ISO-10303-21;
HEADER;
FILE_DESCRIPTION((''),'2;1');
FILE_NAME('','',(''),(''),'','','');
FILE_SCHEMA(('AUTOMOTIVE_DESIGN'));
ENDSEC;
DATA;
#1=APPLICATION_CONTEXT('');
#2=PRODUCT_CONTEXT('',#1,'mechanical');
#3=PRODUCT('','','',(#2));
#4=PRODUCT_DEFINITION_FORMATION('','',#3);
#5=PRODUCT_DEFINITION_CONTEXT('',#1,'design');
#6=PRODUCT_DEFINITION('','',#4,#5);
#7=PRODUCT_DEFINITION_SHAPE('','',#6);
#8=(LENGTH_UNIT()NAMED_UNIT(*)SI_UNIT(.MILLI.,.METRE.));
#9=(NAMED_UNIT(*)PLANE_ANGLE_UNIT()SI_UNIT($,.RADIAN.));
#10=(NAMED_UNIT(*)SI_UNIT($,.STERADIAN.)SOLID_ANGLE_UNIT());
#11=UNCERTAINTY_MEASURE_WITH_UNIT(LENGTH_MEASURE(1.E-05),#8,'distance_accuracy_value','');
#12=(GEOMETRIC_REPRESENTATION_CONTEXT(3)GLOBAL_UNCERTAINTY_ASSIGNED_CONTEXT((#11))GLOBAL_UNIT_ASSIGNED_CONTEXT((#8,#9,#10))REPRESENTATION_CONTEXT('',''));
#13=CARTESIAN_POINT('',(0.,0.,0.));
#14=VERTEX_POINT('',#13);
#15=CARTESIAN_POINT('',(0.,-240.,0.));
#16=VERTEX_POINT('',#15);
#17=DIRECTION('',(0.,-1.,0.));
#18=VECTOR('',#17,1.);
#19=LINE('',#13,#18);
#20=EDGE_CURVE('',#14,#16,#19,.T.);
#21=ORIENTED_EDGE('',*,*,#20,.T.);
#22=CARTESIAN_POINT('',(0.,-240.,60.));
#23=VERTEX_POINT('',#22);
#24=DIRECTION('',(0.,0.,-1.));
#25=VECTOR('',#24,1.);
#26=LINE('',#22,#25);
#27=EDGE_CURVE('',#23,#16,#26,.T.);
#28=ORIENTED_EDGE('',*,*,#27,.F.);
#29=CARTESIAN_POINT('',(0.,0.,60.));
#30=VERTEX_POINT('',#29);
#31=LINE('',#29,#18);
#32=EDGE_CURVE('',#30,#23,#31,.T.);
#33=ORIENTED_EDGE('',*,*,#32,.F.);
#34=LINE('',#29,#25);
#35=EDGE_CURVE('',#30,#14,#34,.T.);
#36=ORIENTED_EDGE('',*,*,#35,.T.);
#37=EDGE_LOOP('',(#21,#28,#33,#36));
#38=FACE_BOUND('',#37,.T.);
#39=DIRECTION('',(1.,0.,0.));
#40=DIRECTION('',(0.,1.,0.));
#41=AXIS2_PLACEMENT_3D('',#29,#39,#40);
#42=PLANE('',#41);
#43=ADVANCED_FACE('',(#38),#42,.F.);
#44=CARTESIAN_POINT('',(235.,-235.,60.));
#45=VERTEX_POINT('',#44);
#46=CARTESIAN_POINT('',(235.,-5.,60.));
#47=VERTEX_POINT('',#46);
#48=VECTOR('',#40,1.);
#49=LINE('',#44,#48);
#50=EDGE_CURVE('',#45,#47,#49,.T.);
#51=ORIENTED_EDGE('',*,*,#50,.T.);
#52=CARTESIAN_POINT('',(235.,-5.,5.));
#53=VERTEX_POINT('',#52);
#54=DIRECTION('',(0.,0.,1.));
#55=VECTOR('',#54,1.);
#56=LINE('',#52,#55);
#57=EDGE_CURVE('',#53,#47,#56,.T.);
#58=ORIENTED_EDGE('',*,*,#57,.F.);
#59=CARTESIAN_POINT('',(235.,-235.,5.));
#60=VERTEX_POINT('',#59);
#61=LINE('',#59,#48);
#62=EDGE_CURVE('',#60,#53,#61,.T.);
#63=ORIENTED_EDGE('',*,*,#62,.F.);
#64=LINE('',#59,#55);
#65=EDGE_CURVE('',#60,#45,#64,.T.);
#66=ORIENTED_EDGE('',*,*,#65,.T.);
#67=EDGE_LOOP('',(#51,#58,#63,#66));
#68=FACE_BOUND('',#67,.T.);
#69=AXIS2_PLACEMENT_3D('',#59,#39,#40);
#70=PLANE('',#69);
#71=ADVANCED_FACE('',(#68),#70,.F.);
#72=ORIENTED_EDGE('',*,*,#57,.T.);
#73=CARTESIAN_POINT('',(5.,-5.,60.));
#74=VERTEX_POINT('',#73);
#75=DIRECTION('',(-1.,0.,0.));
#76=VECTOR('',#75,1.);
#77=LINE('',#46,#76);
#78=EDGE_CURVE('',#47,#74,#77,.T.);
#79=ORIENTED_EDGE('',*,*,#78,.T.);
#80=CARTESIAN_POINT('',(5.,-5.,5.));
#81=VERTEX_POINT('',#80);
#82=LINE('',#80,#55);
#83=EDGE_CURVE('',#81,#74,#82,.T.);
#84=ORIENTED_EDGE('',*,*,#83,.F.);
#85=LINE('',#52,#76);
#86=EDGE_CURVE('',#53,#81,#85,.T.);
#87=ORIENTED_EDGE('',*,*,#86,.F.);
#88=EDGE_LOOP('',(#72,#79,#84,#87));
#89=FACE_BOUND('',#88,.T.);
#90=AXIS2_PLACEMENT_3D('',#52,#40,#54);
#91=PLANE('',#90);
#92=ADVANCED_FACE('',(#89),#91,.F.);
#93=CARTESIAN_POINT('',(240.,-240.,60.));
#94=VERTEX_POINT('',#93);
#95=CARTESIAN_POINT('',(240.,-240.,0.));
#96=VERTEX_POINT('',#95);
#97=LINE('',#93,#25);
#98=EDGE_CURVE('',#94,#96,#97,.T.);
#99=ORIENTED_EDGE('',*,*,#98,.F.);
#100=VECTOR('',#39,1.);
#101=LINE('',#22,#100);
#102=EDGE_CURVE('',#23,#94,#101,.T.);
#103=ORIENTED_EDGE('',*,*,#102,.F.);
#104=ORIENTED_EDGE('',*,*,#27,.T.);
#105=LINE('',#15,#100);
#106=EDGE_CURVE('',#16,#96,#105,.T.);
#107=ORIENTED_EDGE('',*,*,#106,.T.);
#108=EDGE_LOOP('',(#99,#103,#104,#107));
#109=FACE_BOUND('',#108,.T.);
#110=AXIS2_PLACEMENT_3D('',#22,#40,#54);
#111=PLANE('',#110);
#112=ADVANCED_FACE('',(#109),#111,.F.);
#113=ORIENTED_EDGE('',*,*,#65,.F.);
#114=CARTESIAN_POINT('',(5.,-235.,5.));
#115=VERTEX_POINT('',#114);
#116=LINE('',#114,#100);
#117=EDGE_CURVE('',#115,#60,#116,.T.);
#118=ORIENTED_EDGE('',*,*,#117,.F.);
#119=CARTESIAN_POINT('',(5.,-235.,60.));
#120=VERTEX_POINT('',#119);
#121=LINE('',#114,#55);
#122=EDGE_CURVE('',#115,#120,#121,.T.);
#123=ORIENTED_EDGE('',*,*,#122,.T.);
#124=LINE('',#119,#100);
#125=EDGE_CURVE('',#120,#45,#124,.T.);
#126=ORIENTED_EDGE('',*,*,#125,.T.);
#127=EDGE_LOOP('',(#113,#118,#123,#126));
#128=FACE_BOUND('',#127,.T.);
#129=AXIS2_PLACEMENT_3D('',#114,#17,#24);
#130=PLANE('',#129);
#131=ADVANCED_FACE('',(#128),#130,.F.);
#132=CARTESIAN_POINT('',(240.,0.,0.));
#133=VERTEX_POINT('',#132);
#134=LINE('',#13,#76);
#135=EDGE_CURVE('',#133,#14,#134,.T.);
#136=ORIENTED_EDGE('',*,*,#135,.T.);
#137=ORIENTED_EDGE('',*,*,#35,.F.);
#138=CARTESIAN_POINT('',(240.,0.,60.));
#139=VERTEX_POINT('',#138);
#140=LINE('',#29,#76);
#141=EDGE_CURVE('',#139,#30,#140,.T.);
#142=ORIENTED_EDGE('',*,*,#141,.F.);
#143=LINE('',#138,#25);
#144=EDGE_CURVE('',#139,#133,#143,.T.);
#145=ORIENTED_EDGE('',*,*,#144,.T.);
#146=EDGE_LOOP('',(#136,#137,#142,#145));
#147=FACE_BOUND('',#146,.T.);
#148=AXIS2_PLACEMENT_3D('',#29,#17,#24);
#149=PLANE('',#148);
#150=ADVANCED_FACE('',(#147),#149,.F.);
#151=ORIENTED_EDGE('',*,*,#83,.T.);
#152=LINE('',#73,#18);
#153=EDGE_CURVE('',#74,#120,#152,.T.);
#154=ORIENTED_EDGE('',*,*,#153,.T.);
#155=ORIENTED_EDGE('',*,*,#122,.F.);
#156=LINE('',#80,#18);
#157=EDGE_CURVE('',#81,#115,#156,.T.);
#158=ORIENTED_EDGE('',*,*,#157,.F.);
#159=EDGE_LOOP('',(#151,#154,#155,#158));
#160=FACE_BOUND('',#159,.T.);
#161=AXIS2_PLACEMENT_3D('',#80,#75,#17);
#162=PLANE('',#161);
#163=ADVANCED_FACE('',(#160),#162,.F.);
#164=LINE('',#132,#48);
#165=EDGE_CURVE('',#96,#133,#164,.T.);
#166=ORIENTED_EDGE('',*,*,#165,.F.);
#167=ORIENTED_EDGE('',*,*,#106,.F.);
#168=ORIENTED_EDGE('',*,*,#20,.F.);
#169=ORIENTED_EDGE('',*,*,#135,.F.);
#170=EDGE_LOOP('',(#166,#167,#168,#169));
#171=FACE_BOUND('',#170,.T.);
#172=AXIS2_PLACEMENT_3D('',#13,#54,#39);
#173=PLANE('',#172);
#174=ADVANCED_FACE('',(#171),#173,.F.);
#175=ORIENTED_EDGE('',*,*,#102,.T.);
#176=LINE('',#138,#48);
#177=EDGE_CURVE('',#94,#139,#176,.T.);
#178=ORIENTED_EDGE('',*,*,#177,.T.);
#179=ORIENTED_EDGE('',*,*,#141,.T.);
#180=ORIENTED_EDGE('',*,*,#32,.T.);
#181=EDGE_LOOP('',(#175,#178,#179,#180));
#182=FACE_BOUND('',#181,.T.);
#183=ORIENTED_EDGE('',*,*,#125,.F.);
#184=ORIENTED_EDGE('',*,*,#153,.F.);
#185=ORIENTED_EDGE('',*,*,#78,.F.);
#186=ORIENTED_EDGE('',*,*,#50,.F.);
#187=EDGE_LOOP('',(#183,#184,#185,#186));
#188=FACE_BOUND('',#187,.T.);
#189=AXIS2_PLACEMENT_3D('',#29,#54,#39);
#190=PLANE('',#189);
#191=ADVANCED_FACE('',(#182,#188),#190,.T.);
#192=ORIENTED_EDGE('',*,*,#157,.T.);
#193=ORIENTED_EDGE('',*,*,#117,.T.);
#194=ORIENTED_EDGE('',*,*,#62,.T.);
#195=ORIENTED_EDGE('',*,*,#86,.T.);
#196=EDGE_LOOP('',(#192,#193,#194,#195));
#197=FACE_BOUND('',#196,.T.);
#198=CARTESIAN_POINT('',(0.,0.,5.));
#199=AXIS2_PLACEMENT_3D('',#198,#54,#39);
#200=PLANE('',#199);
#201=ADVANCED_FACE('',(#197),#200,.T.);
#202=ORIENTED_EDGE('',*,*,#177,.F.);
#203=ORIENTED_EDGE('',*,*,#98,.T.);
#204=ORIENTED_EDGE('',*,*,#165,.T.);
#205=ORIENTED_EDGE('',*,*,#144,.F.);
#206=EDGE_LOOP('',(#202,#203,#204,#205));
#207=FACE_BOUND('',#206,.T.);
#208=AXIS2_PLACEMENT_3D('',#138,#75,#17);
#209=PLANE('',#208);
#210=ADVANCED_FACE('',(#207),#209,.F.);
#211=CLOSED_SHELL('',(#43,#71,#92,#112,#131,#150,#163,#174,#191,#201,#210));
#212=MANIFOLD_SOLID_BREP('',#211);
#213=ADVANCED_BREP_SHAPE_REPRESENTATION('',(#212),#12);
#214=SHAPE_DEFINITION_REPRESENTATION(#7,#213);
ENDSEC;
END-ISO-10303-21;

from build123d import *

# Parameters (mm, degrees)
SKETCH_1_W          = 240
SKETCH_1_H          = 240
EXTRUDE_1_DEPTH     = 60
SKETCH_2_W          = 230
SKETCH_2_H          = 230
CUT_EXTRUDE_1_DEPTH = 55


with BuildPart() as part:
    # ｽｹｯﾁ1 → ﾎﾞｽ - 押し出し1 (new body)
    with BuildSketch(Plane.XY):
        with Locations((120, -120)):
            Rectangle(SKETCH_1_W, SKETCH_1_H)
    extrude(amount=EXTRUDE_1_DEPTH)

    # ｽｹｯﾁ2 → ｶｯﾄ - 押し出し1 (cut)
    with BuildSketch(Plane.XY.offset(60)):
        with Locations((120, -120)):
            Rectangle(SKETCH_2_W, SKETCH_2_H)
    extrude(amount=-CUT_EXTRUDE_1_DEPTH, mode=Mode.SUBTRACT)


solid = part.part
